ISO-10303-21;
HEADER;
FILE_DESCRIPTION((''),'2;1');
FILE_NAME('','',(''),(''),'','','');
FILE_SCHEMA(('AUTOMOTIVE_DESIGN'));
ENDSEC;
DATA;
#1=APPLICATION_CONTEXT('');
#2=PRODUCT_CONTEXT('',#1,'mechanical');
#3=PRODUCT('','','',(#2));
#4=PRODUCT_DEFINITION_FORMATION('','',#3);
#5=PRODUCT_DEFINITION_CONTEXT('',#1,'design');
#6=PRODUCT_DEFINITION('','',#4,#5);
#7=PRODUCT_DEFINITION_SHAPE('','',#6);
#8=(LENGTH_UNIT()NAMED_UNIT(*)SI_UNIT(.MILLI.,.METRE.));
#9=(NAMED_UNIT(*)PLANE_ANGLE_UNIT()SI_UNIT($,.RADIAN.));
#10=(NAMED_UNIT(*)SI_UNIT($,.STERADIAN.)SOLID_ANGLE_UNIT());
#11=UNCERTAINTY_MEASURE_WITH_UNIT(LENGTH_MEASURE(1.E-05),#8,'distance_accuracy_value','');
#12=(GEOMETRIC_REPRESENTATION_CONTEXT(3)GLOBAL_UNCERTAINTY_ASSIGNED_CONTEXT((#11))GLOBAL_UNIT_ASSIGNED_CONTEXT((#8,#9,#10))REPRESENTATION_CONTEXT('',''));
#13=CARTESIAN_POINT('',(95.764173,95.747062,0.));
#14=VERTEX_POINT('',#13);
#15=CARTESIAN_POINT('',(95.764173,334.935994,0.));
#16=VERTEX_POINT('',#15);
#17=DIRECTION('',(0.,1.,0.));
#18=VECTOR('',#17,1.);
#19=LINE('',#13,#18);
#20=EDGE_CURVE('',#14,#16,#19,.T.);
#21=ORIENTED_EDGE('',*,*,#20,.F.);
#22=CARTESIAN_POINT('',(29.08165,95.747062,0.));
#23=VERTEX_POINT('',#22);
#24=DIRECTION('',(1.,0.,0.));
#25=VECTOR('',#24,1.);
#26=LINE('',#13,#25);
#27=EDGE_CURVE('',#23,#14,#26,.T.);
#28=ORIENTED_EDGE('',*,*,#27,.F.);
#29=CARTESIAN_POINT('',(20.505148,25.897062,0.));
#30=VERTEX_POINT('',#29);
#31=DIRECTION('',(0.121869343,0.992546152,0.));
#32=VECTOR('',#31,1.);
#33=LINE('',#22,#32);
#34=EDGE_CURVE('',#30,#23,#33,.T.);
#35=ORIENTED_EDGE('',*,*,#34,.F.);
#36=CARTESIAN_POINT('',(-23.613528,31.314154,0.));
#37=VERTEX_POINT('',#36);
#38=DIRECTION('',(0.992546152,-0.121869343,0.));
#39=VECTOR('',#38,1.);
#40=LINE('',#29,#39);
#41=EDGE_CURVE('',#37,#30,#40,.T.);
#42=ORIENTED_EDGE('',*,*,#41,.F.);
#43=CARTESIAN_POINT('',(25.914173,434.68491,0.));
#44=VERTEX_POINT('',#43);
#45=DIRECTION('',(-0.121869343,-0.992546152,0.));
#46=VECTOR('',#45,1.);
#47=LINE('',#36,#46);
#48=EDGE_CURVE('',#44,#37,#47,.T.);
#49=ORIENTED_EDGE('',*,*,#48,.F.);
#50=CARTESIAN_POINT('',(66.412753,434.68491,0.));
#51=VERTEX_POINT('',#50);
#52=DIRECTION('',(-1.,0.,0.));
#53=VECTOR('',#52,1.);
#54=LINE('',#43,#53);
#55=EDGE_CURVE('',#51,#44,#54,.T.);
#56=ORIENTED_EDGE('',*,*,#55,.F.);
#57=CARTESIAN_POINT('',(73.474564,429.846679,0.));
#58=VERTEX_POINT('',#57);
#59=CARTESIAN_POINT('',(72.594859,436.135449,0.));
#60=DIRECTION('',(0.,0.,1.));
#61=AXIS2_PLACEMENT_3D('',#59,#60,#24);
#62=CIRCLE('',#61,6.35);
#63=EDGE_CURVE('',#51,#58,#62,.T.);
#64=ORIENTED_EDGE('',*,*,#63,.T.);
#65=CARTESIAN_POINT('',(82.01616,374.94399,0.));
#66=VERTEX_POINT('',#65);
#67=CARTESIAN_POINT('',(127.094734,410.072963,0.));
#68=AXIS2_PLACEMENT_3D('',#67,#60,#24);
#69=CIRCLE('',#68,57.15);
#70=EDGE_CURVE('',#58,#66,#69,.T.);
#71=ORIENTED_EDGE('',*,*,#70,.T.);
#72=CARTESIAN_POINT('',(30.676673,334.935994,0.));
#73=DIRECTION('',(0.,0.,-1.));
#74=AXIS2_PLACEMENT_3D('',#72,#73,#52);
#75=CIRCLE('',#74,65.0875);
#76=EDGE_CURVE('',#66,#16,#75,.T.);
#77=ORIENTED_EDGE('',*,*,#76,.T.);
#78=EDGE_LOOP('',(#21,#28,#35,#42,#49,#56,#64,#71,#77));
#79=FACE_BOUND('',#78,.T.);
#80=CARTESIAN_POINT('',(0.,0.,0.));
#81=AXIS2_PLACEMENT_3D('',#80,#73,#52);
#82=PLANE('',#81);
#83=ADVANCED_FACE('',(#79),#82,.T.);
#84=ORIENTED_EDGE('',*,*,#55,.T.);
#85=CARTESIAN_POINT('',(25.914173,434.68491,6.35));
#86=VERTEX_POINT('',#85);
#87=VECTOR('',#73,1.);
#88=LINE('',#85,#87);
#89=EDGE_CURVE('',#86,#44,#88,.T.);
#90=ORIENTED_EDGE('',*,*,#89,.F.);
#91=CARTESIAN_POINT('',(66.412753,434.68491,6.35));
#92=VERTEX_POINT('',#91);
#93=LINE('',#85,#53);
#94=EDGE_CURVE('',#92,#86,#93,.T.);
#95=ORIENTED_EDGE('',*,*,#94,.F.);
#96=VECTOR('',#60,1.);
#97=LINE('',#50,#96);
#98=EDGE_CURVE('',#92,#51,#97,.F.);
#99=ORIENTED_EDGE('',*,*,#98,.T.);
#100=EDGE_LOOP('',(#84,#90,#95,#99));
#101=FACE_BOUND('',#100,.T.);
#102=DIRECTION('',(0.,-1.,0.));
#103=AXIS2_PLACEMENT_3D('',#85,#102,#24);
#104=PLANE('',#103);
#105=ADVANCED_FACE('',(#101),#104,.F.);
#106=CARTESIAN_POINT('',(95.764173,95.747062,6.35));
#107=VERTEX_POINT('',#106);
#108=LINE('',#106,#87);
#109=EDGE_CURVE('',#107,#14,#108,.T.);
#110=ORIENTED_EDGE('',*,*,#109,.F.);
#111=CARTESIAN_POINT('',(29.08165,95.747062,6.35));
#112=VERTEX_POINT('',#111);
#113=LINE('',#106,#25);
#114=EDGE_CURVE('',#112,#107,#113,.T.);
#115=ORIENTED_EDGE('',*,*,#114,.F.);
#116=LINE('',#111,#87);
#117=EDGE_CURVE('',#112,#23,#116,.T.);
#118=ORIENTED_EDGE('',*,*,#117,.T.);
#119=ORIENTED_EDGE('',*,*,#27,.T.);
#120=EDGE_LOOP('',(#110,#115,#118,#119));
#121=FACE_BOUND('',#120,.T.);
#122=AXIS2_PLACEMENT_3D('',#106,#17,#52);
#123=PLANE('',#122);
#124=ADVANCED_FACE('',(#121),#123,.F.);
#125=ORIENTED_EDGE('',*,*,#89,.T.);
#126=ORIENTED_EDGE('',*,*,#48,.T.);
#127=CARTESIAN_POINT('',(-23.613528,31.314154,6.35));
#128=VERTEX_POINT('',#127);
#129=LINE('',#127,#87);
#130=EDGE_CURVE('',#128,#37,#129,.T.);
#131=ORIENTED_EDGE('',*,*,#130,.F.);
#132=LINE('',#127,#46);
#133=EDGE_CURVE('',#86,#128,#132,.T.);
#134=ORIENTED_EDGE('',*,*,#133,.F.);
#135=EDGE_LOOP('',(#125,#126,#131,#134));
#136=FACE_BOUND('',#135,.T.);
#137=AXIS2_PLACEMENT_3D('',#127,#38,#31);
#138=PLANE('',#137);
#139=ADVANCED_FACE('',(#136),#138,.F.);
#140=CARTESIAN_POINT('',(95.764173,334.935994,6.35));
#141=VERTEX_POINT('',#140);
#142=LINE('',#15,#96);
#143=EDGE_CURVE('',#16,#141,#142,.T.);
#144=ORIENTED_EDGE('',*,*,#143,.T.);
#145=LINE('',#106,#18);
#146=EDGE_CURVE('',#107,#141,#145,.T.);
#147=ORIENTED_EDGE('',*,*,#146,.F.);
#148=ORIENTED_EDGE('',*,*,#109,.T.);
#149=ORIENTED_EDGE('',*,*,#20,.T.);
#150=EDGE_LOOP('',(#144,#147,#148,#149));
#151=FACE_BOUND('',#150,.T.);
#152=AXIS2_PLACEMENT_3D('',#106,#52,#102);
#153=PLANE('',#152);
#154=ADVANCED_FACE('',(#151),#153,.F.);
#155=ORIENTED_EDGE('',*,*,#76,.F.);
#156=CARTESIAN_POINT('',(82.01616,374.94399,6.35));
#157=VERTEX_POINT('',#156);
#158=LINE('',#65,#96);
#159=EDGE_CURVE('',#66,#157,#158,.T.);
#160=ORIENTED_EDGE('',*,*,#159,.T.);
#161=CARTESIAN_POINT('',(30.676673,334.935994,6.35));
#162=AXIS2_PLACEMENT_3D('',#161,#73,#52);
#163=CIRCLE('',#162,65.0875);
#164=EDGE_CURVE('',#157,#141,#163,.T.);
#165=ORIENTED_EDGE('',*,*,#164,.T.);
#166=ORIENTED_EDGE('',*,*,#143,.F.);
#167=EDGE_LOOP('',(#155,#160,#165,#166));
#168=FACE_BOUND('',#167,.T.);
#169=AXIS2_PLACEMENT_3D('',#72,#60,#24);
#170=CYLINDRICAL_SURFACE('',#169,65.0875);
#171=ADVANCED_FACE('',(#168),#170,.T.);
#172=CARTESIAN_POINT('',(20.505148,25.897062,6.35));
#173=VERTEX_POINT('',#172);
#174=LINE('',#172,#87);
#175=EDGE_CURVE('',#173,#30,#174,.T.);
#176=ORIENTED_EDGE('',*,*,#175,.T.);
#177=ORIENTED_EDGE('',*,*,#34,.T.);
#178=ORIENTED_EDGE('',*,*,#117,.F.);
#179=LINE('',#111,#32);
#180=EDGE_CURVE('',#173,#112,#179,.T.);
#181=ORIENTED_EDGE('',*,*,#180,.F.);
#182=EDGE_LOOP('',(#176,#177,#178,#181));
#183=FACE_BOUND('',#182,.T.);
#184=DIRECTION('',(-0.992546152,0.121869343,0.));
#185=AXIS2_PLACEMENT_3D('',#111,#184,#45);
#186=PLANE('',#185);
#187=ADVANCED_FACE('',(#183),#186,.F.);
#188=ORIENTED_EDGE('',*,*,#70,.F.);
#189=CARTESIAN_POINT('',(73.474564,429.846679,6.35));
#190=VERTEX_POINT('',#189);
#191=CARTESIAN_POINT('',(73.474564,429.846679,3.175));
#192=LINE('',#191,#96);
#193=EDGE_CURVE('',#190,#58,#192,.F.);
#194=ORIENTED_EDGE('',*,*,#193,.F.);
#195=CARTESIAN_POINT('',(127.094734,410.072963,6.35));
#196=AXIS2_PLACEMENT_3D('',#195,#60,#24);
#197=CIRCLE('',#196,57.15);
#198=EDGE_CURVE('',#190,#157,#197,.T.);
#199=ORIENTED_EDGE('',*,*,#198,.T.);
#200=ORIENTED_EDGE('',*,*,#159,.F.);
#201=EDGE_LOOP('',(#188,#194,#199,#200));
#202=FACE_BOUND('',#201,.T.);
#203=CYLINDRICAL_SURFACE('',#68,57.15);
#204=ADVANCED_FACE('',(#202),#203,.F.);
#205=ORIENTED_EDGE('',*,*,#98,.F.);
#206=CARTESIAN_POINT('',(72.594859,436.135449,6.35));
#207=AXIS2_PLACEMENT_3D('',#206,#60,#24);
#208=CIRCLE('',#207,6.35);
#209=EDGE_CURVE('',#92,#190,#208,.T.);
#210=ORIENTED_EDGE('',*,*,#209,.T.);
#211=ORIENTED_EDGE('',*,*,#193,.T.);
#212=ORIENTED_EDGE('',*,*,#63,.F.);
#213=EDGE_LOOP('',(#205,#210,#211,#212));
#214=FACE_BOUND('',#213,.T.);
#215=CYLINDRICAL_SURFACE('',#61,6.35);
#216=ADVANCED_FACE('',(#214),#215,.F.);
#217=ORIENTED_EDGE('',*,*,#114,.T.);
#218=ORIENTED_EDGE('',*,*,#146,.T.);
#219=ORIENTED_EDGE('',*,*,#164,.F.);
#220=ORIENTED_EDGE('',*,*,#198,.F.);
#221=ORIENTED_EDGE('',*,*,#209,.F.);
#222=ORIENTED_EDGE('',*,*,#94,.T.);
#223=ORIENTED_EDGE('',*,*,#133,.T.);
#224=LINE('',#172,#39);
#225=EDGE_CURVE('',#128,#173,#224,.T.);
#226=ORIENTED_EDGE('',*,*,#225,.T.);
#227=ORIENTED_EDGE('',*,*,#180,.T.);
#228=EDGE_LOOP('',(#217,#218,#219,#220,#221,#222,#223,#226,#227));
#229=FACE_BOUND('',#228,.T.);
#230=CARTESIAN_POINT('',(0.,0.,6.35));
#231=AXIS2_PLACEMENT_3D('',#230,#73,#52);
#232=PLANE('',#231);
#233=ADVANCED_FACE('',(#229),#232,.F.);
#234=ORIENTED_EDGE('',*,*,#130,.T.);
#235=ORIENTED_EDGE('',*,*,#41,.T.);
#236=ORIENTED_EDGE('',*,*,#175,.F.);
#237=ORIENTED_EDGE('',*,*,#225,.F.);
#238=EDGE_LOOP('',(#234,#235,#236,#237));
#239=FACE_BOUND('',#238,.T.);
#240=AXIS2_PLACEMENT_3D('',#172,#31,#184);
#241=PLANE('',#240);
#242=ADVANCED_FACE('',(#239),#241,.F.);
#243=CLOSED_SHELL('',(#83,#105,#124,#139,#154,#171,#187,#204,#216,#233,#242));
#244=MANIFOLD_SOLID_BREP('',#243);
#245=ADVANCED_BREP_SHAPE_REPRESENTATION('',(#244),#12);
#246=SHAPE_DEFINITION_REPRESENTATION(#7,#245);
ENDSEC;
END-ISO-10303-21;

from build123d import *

# Parameters (mm, degrees)
BOSS_EXTRUDE1_DEPTH = 6.35
SKETCH2_R           = 6.35
CUT_EXTRUDE1_DEPTH  = 6.35
CUT_EXTRUDE4_DEPTH  = 6.35


with BuildPart() as part:
    # Sketch1 → Boss-Extrude1 (new body)
    with BuildSketch(Plane.XY):
        Polygon((20.505148302, 25.897062134), (-23.613528139, 31.314154449), (25.914173021, 434.684910476), (95.764173021, 434.684910476), (95.764173021, 95.747062134), (29.081649881, 95.747062134), align=None)
    extrude(amount=BOSS_EXTRUDE1_DEPTH)

    # Sketch2 → Cut-Extrude1 (cut)
    with BuildSketch(Plane.XY.offset(6.35)):
        with Locations((72.594859494, 436.135448726)):
            Circle(SKETCH2_R)
    extrude(amount=-CUT_EXTRUDE1_DEPTH, mode=Mode.SUBTRACT)

    # Sketch4 → Cut-Extrude4 (cut)
    with BuildSketch(Plane.XY.offset(6.35)):
        with BuildLine():
            Line((74.295018445, 431.943320697), (82.016159891, 440.361424689))
            Line((82.016159891, 440.361424689), (105.989857785, 438.164600241))
            Line((105.989857785, 438.164600241), (95.764173021, 334.935994434))
            ThreePointArc((95.764173021, 334.935994434), (92.231289046, 356.088107858), (82.016159891, 374.943990437))
            ThreePointArc((82.016159891, 374.943990437), (70.461962448, 402.401475249), (74.295018445, 431.943320697))
        make_face()
    extrude(amount=-CUT_EXTRUDE4_DEPTH, mode=Mode.SUBTRACT)


solid = part.part
